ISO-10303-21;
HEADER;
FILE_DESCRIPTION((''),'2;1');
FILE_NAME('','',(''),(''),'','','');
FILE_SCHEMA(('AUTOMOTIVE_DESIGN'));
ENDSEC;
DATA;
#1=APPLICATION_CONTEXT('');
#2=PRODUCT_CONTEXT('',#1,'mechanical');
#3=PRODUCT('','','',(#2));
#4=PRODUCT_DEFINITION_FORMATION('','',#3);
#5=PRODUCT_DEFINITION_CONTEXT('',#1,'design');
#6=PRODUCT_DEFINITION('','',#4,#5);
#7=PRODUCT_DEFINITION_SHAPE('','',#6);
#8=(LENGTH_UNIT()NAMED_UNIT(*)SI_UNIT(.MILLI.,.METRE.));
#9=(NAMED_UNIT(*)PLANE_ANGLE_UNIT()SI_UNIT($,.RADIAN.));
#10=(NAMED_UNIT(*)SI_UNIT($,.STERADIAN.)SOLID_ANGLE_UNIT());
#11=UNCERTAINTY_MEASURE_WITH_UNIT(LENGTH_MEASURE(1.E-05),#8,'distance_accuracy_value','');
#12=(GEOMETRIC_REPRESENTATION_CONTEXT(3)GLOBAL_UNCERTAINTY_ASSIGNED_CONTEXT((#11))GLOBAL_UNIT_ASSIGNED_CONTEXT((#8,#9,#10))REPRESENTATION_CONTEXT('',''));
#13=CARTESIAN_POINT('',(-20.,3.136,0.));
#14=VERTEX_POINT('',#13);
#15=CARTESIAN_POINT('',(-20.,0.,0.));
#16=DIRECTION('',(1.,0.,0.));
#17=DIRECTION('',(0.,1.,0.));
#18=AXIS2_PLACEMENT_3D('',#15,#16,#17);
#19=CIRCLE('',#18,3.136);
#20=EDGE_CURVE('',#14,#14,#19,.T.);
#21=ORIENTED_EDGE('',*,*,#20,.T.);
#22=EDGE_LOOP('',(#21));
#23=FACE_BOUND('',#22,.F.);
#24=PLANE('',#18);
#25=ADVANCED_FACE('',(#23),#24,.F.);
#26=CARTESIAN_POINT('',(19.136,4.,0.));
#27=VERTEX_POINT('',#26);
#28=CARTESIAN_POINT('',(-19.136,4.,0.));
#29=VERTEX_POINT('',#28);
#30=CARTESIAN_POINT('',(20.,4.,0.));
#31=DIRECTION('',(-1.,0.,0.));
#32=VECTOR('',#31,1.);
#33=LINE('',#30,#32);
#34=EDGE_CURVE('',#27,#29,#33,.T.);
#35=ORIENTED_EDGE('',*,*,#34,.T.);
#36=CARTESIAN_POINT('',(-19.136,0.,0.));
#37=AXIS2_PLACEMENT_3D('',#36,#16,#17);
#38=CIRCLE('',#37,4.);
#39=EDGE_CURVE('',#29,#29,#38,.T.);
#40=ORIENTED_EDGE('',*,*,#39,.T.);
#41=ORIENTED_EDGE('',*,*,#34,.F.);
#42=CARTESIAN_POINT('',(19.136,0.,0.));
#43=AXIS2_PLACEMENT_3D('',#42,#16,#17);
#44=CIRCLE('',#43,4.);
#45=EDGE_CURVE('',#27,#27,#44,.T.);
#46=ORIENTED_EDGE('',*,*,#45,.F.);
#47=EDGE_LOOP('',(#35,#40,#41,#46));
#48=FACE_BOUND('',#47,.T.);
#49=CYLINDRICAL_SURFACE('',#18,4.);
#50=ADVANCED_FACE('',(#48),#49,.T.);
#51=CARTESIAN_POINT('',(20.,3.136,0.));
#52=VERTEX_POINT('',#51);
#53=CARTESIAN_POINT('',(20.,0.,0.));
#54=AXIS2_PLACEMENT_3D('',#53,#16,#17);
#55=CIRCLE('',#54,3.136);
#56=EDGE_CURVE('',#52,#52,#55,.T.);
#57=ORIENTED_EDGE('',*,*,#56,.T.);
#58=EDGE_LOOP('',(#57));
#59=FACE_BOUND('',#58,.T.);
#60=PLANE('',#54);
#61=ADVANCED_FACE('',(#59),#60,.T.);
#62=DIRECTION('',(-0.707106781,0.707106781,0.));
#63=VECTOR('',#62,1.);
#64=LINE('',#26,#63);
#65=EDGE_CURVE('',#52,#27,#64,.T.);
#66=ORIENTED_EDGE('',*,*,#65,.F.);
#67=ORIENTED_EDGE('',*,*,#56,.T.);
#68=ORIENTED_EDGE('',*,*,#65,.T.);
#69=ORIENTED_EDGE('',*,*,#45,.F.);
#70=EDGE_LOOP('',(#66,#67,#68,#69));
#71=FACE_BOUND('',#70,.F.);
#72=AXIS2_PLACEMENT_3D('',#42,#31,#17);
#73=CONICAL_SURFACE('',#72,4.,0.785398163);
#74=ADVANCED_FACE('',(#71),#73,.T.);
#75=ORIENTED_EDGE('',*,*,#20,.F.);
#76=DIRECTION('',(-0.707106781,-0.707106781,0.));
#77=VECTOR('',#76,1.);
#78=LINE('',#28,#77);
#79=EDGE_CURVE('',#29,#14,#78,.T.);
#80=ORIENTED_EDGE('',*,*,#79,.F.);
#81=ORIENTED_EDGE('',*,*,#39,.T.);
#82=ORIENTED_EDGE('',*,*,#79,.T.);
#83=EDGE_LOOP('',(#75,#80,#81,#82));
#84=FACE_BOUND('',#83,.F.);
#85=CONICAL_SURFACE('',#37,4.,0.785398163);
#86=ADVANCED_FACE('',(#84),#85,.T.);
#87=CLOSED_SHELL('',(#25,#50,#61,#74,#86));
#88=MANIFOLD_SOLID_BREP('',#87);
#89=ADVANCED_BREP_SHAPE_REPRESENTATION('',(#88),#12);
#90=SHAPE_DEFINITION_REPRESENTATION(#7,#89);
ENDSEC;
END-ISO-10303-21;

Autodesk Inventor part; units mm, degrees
ref_plane "YZ Plane" through (0, 0, 0) normal (1, 0, 0) x (0, 1, 0)
ref_plane "XZ Plane" through (0, 0, 0) normal (0, 1, 0) x (-1, 0, 0)
sketch "Schizzo1" plane through (0, 0, 0) normal (0, 0, 1) x (1, 0, 0)
  line L0 (20, 4) -> (20, 0)
  line L1 (-20, 0) -> (20, 0)
  line L2 (-28, 0) -> (28, 0) projected
  line L3 (0, 4.8) -> (0, -0.8) projected
  line L4 (-20, 4) -> (-20, 0)
  line L5 (0, 4) -> (0, 0) construction
  line L6 (-28, 0) -> (28, 0) projected
  line L7 (-20, 4) -> (20, 4)
  dimension "d13" = 8
  dimension "d87" = 40
  dimension "d88" = 20
revolve "Corpo" add sketch "Schizzo1" angle 360 about axis through (-20, 0, 0) along (1, 0, 0)
thread "Filettatura1" size "M8x1.25" class "6g" standard "ISO Metric profile" length 40
chamfer "Smusso1" distance 0.864 angle 45 1 edges at (20, -4, 0) measured on face at (-6.6667, 3.987, -0.3219)
chamfer "Smusso2" distance 0.864 angle 45 1 edges at (-20, -4, 0) measured on face at (-6.9547, 3.9482, -0.6416)
ref_plane "Work Plane1" through (2.75, 0, 0) normal (0, -1, 0) x (1, 0, 0)
equation "\"d13\" = NND"
equation "\"d87\" = NLG"
equation "\"d88\" = 0.5 * NLG"
equation "\"d1\" = GEL"
equation "\"d9\" = -0.5 * SPD + 0.5 * NND"
equation "\"d10\" = -0.5 * SPD + 0.5 * NND"
equation "\"d11\" = -0.5 * SPD + 0.5 * NND"
equation "\"d12\" = -0.5 * SPD + 0.5 * NND"
equation "\"NLG\" = 40"
equation "\"GEL\" = NLG"
equation "\"GAL\" = 0.61345 * PTC"
equation "\"SPD\" = 6.272"
equation "\"d0\" = NND"
equation "\"GUL\" = 0.61345 * PTC"
equation "\"NND\" = 8"
equation "\"GUL1\" = GUL"
equation "\"GAL1\" = GAL"
equation "\"d80\" = -GUL - GEL"
equation "\"d86\" = -GEL + GUL1"
equation "\"PTC\" = 1.25"
equation "\"THREADDIA\" = 8"
equation "\"TOA\" = 30deg"
equation "\"GD1\" = THREADDIA - 1.2269 * PTC"
properties part number "DIN 976-1 - M8 x 40 - B" material "Acciaio, Dolce"
